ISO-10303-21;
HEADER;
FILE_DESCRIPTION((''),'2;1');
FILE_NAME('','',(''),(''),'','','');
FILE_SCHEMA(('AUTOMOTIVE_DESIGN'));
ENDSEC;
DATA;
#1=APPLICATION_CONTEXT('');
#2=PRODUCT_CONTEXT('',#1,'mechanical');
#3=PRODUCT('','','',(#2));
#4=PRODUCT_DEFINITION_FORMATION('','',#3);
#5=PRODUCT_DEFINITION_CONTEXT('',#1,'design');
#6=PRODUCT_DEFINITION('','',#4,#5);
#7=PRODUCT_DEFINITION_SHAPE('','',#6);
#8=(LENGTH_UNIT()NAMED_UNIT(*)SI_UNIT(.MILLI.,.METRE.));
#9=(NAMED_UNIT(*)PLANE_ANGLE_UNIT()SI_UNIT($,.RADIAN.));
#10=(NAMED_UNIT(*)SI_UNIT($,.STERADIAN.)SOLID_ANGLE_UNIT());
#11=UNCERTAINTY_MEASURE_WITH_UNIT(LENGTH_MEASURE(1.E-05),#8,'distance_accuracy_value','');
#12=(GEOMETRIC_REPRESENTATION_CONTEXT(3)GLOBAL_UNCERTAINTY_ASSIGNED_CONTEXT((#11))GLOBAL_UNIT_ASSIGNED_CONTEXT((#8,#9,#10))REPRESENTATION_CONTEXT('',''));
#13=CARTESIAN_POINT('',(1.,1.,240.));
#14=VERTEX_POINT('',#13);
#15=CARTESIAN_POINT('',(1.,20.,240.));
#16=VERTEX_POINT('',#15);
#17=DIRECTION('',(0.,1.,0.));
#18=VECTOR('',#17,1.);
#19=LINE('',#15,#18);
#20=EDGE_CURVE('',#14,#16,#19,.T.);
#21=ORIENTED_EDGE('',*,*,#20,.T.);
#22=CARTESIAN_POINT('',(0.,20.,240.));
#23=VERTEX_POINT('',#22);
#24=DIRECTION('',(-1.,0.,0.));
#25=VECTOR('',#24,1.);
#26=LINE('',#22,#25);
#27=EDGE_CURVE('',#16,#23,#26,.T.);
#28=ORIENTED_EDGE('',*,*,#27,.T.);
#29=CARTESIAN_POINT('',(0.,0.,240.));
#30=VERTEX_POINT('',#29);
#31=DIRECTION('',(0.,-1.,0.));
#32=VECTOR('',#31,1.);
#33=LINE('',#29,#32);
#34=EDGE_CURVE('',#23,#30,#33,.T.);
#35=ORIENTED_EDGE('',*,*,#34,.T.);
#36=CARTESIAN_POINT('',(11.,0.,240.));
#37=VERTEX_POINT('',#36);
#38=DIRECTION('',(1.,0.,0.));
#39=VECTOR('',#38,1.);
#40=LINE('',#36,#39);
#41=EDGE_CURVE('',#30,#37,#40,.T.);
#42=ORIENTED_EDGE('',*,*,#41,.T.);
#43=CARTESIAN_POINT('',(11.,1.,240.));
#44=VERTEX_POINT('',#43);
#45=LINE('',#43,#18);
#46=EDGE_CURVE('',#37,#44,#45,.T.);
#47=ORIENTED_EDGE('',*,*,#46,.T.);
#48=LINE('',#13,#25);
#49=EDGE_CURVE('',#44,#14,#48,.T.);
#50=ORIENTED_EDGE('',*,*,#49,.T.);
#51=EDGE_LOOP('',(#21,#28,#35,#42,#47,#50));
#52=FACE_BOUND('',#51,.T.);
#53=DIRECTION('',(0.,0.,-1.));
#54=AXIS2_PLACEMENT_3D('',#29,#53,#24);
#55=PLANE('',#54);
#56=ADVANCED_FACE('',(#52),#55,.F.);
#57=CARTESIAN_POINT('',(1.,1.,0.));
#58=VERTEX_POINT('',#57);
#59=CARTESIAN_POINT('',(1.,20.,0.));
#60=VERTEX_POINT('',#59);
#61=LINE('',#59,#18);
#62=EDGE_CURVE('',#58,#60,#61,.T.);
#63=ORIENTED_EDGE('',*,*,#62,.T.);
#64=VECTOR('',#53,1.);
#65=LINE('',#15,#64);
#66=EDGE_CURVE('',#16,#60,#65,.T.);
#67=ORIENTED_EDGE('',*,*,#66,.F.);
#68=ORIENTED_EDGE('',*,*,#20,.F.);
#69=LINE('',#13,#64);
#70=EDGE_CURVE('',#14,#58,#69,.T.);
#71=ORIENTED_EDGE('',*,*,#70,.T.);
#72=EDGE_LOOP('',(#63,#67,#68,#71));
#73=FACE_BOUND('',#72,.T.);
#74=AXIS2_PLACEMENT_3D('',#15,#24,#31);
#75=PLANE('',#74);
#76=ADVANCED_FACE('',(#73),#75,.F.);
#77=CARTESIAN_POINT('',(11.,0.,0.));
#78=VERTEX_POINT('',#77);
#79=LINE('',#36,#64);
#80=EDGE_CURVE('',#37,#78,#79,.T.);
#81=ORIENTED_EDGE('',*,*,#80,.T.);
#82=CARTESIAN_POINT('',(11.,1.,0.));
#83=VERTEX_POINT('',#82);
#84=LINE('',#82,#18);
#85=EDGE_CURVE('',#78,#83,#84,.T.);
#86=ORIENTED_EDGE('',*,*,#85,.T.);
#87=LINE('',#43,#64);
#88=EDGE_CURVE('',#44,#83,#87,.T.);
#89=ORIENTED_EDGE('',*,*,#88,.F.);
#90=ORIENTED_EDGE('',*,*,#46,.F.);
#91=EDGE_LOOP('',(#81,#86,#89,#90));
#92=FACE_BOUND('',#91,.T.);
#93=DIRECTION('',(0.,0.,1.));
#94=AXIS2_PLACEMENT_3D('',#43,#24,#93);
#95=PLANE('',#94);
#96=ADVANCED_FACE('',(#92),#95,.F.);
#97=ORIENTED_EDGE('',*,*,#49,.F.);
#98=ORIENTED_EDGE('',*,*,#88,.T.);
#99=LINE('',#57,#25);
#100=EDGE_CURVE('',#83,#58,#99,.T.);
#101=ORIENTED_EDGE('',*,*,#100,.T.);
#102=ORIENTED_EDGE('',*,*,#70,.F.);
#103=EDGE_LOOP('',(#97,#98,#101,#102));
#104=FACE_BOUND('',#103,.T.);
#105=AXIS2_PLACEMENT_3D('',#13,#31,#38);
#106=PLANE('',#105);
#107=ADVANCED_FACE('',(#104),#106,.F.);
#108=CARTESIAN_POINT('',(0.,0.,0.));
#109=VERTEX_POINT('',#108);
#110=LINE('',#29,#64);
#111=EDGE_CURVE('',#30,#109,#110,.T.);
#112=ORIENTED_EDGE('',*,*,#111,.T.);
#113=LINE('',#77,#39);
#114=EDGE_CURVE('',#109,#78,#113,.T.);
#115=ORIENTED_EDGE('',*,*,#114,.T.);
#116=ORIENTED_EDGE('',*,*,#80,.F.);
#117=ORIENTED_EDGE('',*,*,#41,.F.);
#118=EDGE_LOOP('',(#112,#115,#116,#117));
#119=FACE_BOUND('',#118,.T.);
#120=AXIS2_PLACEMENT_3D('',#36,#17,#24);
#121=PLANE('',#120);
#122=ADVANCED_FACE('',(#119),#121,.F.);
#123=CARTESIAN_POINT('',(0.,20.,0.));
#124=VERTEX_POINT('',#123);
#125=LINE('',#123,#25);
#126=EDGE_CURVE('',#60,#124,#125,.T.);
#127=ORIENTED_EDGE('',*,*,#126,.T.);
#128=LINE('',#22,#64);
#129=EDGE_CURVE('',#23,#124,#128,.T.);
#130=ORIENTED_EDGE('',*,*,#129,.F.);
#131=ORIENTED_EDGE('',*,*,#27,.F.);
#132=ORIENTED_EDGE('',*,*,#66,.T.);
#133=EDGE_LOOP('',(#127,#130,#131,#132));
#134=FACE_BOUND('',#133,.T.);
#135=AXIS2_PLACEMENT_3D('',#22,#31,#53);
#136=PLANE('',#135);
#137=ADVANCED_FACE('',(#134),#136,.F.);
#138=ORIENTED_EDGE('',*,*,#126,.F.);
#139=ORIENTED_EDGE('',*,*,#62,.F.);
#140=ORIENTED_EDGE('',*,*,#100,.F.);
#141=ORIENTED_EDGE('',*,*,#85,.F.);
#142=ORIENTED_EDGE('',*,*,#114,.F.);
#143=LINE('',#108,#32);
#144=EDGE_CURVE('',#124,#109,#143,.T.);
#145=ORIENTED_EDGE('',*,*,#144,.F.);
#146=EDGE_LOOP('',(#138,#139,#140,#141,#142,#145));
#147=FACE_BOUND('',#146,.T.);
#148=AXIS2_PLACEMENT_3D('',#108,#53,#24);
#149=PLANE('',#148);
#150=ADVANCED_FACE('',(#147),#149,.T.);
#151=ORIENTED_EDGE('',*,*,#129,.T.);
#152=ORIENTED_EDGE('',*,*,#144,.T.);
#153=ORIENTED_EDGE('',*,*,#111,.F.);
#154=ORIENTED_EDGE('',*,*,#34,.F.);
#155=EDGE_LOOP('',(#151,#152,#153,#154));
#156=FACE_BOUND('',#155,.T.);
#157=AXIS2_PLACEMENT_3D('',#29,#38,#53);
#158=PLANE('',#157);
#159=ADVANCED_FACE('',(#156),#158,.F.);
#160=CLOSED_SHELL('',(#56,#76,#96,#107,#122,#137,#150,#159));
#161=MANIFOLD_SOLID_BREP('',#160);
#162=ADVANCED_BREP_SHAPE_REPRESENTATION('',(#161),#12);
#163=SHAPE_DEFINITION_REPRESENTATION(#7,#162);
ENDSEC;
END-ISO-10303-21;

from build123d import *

# Parameters (mm, degrees)
BOSS_EXTRU_1_DEPTH = 240


with BuildPart() as part:
    # Esquisse1 → Boss.-Extru.1 (new body)
    with BuildSketch(Plane.XY):
        Polygon((0, 0), (0, 20), (1, 20), (1, 1), (11, 1), (11, 0), align=None)
    extrude(amount=BOSS_EXTRU_1_DEPTH)


solid = part.part
